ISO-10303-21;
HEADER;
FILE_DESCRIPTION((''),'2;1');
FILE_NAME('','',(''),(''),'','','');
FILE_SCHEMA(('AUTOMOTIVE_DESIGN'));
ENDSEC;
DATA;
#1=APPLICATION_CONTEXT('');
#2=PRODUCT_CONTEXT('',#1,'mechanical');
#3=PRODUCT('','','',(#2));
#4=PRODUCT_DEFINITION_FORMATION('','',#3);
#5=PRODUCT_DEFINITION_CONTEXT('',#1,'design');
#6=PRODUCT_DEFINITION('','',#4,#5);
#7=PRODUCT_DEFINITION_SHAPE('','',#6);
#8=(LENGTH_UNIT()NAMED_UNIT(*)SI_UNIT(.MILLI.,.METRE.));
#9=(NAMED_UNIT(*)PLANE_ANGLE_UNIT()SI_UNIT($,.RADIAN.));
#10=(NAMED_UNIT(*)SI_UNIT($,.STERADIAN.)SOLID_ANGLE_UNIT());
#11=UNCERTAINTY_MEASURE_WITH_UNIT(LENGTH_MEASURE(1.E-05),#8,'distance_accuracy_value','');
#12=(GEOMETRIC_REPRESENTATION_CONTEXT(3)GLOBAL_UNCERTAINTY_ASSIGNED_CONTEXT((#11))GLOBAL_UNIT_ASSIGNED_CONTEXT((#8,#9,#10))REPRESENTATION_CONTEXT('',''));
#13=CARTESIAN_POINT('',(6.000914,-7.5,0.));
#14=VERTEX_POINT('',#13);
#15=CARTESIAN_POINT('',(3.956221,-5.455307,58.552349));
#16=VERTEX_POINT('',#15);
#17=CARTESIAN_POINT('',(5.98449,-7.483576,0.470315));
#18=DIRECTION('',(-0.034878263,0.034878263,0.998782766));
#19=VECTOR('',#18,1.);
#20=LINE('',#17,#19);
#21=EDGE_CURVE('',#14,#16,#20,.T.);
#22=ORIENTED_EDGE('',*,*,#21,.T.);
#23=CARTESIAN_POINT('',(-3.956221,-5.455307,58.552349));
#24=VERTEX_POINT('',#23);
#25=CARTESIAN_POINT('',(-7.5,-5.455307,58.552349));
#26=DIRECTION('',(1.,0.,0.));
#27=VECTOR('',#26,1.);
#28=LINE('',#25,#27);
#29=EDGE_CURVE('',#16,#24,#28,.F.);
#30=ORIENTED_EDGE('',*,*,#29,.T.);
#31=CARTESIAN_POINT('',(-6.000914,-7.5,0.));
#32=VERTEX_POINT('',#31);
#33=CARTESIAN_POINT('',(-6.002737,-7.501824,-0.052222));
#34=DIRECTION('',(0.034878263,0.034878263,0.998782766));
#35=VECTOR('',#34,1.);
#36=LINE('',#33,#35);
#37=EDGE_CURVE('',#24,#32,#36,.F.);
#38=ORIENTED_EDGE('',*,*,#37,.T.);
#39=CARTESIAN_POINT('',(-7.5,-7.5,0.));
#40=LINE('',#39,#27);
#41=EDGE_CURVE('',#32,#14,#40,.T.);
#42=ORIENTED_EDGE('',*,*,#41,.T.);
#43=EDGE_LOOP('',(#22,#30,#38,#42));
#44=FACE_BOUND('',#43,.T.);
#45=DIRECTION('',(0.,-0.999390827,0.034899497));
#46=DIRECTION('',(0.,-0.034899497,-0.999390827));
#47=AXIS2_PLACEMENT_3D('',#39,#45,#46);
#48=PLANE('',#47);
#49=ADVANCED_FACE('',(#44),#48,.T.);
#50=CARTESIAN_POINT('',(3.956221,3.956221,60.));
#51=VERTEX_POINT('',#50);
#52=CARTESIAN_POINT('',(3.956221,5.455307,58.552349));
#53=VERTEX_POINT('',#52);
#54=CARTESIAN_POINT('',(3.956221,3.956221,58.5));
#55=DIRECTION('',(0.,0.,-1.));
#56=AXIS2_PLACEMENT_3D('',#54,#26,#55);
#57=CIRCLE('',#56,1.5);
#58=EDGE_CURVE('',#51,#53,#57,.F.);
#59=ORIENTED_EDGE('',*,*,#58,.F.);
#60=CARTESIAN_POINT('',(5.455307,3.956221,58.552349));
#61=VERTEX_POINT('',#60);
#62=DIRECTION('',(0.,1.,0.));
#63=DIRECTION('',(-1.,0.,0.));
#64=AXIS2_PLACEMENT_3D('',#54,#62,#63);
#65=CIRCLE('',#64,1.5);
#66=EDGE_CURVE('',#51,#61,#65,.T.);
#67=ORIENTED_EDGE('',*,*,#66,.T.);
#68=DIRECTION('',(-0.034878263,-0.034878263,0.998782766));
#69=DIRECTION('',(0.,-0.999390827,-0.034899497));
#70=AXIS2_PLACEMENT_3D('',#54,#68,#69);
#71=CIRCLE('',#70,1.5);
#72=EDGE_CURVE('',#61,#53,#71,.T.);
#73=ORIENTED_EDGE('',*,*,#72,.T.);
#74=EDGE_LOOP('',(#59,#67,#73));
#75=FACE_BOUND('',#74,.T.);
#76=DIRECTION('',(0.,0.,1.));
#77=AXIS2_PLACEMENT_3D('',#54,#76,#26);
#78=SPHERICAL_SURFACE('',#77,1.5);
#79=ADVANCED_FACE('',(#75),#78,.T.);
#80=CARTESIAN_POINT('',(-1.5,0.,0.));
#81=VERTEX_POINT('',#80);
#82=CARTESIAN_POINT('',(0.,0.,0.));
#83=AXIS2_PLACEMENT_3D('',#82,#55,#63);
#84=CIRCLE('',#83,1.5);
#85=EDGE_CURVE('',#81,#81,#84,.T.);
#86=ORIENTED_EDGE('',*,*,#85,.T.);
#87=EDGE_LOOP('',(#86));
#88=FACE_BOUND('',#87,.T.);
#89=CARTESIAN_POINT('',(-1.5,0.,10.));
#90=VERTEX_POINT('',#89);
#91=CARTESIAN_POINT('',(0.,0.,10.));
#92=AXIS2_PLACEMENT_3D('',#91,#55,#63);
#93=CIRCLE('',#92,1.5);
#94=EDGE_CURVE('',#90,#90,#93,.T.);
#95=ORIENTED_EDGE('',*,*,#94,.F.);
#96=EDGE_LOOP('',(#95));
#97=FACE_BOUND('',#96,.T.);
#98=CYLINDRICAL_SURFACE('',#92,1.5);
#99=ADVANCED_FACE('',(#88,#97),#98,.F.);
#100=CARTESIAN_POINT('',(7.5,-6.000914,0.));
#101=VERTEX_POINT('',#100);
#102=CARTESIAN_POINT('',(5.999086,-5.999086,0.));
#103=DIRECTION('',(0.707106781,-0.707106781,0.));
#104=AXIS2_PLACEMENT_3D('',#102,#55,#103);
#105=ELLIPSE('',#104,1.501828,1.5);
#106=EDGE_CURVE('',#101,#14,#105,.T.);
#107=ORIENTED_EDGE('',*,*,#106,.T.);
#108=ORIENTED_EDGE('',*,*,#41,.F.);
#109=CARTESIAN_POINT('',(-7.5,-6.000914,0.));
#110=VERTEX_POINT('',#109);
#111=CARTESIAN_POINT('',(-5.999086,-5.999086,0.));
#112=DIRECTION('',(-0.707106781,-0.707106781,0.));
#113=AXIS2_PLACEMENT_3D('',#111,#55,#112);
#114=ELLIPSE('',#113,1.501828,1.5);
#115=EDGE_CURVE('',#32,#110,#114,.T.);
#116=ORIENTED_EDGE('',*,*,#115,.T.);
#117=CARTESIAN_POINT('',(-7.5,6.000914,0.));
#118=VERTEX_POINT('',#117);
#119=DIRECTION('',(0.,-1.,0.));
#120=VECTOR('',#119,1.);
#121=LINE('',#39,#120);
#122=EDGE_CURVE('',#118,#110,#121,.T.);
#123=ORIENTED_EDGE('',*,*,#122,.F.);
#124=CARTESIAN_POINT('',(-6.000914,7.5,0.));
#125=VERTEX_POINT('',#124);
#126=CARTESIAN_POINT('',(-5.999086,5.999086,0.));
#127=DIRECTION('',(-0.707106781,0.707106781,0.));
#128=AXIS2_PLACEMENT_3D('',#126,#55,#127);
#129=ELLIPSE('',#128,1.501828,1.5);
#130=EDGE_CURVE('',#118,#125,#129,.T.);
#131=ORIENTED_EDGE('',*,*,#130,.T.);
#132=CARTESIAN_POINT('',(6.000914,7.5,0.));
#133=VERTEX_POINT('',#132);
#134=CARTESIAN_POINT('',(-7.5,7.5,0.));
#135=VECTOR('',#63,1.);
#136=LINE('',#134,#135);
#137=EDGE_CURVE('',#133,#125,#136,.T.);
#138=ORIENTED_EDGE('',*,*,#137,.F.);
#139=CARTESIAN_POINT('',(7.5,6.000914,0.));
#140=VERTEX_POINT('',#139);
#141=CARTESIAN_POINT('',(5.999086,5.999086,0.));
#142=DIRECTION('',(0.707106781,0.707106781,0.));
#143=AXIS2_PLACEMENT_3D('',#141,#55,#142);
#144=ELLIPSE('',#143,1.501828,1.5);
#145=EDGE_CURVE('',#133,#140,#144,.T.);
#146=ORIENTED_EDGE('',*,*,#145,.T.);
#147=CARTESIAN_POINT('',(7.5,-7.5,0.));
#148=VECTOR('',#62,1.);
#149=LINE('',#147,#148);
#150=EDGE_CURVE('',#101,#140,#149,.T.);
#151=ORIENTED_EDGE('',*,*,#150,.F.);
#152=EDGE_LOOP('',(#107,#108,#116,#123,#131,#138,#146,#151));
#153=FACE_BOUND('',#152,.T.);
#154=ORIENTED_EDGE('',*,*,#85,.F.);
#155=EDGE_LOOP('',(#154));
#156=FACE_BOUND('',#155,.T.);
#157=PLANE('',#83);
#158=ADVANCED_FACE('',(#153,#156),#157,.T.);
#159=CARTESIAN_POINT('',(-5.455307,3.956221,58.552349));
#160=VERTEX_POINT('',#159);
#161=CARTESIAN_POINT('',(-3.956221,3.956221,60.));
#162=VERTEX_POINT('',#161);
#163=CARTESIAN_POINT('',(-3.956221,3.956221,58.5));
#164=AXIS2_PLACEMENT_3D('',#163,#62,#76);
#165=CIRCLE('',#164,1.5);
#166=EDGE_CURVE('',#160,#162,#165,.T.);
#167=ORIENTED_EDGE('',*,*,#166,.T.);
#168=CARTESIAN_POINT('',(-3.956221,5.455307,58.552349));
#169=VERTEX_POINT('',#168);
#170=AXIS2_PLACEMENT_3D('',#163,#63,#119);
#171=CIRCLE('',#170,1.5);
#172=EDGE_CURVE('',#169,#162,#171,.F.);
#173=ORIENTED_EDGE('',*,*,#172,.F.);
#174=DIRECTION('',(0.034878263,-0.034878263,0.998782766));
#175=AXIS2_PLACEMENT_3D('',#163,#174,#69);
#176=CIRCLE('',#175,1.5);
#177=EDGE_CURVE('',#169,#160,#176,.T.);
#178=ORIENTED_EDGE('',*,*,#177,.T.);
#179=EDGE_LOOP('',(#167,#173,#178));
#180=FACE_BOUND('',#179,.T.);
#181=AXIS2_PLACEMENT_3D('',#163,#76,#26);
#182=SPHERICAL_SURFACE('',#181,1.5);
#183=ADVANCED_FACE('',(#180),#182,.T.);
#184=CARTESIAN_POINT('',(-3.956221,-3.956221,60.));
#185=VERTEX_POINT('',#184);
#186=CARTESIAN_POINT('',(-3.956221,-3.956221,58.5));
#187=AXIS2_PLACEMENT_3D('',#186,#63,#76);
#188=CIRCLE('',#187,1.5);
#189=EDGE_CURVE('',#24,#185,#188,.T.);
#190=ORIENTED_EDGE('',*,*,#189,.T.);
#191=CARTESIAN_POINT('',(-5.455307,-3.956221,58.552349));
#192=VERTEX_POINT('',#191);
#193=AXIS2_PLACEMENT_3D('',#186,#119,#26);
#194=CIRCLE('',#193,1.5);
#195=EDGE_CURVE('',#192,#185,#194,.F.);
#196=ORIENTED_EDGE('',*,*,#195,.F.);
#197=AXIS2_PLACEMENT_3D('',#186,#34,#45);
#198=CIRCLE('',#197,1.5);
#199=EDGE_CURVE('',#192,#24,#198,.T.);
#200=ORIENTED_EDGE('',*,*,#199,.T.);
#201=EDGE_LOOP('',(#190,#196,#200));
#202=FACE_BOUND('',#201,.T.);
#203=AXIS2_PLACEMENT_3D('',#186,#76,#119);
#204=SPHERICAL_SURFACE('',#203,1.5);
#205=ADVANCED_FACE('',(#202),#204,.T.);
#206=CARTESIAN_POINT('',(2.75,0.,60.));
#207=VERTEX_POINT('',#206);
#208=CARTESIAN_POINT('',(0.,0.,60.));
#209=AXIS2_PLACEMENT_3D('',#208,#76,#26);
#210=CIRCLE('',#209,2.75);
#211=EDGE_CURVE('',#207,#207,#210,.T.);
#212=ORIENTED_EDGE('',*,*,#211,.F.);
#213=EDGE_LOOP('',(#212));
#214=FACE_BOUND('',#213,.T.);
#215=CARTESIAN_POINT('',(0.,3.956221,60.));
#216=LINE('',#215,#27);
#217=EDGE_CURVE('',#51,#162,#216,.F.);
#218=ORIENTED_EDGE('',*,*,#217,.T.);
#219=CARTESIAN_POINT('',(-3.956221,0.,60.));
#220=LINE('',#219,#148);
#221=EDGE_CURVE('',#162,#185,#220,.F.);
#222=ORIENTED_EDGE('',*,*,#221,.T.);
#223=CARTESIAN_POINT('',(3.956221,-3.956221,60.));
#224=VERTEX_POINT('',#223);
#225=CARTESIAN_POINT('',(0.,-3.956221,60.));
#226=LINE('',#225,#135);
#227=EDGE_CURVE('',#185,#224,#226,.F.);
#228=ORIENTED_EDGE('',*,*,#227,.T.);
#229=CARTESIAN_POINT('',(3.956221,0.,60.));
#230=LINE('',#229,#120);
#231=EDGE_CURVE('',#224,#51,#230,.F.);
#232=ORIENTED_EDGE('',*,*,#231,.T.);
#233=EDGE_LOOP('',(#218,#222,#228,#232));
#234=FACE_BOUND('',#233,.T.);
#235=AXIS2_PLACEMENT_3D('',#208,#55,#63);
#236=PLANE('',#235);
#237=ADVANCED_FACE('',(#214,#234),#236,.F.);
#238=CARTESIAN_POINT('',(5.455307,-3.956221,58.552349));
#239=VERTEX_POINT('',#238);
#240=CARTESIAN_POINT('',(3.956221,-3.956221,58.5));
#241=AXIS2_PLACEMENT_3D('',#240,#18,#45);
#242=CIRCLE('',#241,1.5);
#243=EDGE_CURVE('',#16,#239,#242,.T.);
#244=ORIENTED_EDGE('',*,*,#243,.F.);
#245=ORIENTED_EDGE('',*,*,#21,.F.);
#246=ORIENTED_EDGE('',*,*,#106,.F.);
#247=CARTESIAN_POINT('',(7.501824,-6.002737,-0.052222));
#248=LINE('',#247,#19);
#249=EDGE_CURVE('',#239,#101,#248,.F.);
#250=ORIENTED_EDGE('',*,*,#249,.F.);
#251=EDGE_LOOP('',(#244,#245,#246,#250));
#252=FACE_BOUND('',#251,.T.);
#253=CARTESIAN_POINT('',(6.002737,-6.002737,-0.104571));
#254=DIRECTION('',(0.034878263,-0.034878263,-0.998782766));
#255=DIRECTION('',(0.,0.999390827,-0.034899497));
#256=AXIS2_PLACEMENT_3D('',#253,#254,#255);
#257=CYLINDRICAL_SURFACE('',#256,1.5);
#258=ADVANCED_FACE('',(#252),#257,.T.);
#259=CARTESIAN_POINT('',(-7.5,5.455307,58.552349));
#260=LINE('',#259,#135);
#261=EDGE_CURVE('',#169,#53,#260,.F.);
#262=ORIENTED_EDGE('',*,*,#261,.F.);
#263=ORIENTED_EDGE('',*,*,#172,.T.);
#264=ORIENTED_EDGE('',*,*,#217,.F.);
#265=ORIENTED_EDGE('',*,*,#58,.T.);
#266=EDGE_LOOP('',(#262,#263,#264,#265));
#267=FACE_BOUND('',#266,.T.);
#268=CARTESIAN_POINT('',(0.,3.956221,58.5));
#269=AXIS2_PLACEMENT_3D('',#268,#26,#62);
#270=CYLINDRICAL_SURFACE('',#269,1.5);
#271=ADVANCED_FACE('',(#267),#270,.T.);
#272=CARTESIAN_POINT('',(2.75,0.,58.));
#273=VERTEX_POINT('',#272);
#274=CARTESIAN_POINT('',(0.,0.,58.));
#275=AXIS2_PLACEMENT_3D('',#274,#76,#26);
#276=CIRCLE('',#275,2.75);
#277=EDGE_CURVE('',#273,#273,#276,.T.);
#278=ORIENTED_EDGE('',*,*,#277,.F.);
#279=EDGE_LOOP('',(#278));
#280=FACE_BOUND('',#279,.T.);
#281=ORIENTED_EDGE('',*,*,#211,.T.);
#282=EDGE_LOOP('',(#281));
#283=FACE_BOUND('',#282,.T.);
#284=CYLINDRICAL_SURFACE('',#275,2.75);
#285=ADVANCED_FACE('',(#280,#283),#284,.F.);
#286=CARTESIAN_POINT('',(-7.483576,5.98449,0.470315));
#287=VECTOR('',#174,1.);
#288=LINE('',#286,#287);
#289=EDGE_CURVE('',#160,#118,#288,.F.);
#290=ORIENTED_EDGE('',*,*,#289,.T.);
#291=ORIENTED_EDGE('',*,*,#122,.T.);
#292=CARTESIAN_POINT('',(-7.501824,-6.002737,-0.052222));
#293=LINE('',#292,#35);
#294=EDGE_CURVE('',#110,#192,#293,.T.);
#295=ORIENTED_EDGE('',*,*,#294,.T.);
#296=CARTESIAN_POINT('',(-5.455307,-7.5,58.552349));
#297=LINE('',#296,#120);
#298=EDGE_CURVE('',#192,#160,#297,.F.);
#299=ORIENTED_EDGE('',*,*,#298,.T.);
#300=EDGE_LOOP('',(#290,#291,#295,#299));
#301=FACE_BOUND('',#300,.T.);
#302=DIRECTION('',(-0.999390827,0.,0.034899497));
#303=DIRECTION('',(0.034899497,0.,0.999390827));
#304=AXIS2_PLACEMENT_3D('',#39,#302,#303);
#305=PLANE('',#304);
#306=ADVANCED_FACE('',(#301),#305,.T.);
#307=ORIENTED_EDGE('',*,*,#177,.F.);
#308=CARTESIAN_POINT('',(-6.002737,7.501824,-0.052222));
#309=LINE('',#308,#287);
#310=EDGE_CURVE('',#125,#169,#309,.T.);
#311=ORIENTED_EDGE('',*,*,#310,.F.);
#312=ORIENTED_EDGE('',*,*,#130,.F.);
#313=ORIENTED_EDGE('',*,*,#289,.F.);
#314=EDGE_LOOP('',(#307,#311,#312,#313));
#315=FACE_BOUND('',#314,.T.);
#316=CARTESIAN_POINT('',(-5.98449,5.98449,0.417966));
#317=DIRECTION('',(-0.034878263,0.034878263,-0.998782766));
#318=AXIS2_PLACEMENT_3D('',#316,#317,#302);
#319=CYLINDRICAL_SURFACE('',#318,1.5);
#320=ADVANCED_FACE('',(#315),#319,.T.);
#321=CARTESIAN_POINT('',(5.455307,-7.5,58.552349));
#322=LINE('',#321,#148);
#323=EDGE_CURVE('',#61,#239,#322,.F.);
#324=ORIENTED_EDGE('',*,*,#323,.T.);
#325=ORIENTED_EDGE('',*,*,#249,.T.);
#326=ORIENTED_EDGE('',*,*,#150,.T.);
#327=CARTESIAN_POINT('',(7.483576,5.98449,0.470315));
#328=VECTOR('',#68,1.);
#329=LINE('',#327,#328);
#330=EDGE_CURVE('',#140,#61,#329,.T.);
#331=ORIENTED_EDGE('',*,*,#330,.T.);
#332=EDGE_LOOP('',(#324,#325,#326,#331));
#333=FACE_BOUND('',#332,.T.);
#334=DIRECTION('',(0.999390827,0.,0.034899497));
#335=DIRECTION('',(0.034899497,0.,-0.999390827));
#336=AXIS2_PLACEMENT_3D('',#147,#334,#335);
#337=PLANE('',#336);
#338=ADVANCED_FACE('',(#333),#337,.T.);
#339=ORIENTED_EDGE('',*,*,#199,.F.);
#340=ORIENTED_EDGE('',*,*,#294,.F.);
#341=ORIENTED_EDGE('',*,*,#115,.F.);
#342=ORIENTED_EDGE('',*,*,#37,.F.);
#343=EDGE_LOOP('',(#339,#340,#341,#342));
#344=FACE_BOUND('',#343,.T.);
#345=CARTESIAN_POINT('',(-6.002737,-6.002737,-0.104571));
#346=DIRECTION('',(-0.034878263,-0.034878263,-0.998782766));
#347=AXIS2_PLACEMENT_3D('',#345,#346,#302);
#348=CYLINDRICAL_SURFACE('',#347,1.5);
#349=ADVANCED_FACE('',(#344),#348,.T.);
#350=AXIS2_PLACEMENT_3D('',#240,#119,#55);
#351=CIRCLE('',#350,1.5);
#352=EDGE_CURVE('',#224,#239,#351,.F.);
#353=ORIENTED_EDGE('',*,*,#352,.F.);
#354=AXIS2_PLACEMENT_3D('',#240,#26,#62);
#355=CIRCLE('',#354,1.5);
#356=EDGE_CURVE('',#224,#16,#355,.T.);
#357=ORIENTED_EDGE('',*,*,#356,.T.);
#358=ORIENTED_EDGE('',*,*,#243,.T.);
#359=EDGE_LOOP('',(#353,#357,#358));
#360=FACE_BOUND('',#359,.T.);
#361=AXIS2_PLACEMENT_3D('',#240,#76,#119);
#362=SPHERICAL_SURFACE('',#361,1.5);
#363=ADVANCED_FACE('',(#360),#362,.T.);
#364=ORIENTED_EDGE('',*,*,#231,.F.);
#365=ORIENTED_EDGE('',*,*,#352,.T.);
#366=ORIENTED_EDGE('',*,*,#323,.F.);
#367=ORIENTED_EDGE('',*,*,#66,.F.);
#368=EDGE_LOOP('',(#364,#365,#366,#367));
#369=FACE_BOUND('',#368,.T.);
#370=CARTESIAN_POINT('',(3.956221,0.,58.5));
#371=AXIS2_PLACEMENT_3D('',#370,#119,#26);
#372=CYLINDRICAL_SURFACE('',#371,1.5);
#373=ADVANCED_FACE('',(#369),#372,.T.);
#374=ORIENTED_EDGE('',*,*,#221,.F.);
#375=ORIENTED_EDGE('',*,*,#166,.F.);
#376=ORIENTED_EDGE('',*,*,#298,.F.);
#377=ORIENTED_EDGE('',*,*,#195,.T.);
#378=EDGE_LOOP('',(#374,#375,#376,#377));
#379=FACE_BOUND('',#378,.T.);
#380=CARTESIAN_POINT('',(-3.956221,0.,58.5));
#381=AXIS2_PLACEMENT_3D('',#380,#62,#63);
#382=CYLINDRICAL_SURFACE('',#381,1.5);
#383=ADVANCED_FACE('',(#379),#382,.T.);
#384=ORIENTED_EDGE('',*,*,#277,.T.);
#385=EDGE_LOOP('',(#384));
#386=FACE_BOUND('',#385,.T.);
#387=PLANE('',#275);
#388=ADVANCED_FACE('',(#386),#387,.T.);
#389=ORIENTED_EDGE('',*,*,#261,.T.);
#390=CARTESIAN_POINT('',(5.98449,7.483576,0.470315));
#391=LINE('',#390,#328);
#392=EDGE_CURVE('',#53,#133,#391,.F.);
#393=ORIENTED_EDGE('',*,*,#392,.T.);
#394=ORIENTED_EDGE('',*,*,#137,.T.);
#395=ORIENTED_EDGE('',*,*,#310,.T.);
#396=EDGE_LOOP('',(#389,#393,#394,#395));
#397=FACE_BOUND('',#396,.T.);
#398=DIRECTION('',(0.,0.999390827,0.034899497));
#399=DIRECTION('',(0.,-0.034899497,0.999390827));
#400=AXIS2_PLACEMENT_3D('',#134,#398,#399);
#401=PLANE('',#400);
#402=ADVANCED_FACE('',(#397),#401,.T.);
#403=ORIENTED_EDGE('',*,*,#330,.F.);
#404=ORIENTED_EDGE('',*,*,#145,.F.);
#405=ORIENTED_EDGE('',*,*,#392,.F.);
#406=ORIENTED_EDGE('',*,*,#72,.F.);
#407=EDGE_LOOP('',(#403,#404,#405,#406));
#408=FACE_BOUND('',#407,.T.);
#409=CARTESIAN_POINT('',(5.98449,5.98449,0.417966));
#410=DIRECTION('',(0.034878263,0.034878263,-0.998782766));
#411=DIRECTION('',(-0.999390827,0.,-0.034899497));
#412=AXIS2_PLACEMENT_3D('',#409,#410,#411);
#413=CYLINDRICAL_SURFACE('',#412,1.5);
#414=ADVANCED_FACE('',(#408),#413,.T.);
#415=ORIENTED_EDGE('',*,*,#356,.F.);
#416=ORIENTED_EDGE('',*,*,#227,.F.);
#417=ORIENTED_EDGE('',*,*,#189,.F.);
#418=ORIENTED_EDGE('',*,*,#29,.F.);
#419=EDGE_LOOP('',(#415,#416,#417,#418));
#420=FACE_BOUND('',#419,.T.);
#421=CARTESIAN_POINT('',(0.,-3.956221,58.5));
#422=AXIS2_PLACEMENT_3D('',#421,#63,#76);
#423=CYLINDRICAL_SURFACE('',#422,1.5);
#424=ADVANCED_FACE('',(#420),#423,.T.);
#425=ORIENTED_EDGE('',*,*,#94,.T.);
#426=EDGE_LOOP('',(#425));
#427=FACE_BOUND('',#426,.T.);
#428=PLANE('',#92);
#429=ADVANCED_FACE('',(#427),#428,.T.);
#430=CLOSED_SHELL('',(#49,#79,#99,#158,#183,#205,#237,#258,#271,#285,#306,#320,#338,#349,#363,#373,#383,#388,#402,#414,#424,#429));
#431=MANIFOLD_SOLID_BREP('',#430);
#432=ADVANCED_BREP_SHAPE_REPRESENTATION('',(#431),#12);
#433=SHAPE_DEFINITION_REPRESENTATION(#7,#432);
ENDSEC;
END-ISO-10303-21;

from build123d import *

# Parameters (mm, degrees)
SKETCH1_W           = 15
SKETCH1_H           = 15
BOSS_EXTRUDE1_DEPTH = 60
BOSS_EXTRUDE1_TAPER = 2
SKETCH2_R           = 1.5
CUT_EXTRUDE1_DEPTH  = 10
SKETCH3_R           = 2.75
CUT_EXTRUDE2_DEPTH  = 2
FILLET1_R           = 1.5


with BuildPart() as part:
    # Sketch1 → Boss-Extrude1 (new body)
    with BuildSketch(Plane.XY):
        Rectangle(SKETCH1_W, SKETCH1_H)
    extrude(amount=BOSS_EXTRUDE1_DEPTH, taper=BOSS_EXTRUDE1_TAPER)

    # Sketch2 → Cut-Extrude1 (cut)
    with BuildSketch(Plane(origin=(0, 0, 0), x_dir=(-1, 0, 0), z_dir=(0, 0, -1))):
        Circle(SKETCH2_R)
    extrude(amount=-CUT_EXTRUDE1_DEPTH, mode=Mode.SUBTRACT)

    # Sketch3 → Cut-Extrude2 (cut)
    with BuildSketch(Plane.XY.offset(60)):
        Circle(SKETCH3_R)
    extrude(amount=-CUT_EXTRUDE2_DEPTH, mode=Mode.SUBTRACT)

    # Fillet1
    fillet1_edges = [part.edges().sort_by_distance(p)[0] for p in [
        (-5.40475383, 0, 60),
        (0, -5.40475383, 60),
        (5.40475383, 0, 60),
        (6.452376915, -6.452376915, 30),
        (-6.452376915, -6.452376915, 30),
        (-6.452376453, 6.452376453, 30.000013228),
        (6.452376915, 6.452376915, 30),
        (0, 5.40475383, 60),
    ]]
    fillet(fillet1_edges, radius=FILLET1_R)


solid = part.part
